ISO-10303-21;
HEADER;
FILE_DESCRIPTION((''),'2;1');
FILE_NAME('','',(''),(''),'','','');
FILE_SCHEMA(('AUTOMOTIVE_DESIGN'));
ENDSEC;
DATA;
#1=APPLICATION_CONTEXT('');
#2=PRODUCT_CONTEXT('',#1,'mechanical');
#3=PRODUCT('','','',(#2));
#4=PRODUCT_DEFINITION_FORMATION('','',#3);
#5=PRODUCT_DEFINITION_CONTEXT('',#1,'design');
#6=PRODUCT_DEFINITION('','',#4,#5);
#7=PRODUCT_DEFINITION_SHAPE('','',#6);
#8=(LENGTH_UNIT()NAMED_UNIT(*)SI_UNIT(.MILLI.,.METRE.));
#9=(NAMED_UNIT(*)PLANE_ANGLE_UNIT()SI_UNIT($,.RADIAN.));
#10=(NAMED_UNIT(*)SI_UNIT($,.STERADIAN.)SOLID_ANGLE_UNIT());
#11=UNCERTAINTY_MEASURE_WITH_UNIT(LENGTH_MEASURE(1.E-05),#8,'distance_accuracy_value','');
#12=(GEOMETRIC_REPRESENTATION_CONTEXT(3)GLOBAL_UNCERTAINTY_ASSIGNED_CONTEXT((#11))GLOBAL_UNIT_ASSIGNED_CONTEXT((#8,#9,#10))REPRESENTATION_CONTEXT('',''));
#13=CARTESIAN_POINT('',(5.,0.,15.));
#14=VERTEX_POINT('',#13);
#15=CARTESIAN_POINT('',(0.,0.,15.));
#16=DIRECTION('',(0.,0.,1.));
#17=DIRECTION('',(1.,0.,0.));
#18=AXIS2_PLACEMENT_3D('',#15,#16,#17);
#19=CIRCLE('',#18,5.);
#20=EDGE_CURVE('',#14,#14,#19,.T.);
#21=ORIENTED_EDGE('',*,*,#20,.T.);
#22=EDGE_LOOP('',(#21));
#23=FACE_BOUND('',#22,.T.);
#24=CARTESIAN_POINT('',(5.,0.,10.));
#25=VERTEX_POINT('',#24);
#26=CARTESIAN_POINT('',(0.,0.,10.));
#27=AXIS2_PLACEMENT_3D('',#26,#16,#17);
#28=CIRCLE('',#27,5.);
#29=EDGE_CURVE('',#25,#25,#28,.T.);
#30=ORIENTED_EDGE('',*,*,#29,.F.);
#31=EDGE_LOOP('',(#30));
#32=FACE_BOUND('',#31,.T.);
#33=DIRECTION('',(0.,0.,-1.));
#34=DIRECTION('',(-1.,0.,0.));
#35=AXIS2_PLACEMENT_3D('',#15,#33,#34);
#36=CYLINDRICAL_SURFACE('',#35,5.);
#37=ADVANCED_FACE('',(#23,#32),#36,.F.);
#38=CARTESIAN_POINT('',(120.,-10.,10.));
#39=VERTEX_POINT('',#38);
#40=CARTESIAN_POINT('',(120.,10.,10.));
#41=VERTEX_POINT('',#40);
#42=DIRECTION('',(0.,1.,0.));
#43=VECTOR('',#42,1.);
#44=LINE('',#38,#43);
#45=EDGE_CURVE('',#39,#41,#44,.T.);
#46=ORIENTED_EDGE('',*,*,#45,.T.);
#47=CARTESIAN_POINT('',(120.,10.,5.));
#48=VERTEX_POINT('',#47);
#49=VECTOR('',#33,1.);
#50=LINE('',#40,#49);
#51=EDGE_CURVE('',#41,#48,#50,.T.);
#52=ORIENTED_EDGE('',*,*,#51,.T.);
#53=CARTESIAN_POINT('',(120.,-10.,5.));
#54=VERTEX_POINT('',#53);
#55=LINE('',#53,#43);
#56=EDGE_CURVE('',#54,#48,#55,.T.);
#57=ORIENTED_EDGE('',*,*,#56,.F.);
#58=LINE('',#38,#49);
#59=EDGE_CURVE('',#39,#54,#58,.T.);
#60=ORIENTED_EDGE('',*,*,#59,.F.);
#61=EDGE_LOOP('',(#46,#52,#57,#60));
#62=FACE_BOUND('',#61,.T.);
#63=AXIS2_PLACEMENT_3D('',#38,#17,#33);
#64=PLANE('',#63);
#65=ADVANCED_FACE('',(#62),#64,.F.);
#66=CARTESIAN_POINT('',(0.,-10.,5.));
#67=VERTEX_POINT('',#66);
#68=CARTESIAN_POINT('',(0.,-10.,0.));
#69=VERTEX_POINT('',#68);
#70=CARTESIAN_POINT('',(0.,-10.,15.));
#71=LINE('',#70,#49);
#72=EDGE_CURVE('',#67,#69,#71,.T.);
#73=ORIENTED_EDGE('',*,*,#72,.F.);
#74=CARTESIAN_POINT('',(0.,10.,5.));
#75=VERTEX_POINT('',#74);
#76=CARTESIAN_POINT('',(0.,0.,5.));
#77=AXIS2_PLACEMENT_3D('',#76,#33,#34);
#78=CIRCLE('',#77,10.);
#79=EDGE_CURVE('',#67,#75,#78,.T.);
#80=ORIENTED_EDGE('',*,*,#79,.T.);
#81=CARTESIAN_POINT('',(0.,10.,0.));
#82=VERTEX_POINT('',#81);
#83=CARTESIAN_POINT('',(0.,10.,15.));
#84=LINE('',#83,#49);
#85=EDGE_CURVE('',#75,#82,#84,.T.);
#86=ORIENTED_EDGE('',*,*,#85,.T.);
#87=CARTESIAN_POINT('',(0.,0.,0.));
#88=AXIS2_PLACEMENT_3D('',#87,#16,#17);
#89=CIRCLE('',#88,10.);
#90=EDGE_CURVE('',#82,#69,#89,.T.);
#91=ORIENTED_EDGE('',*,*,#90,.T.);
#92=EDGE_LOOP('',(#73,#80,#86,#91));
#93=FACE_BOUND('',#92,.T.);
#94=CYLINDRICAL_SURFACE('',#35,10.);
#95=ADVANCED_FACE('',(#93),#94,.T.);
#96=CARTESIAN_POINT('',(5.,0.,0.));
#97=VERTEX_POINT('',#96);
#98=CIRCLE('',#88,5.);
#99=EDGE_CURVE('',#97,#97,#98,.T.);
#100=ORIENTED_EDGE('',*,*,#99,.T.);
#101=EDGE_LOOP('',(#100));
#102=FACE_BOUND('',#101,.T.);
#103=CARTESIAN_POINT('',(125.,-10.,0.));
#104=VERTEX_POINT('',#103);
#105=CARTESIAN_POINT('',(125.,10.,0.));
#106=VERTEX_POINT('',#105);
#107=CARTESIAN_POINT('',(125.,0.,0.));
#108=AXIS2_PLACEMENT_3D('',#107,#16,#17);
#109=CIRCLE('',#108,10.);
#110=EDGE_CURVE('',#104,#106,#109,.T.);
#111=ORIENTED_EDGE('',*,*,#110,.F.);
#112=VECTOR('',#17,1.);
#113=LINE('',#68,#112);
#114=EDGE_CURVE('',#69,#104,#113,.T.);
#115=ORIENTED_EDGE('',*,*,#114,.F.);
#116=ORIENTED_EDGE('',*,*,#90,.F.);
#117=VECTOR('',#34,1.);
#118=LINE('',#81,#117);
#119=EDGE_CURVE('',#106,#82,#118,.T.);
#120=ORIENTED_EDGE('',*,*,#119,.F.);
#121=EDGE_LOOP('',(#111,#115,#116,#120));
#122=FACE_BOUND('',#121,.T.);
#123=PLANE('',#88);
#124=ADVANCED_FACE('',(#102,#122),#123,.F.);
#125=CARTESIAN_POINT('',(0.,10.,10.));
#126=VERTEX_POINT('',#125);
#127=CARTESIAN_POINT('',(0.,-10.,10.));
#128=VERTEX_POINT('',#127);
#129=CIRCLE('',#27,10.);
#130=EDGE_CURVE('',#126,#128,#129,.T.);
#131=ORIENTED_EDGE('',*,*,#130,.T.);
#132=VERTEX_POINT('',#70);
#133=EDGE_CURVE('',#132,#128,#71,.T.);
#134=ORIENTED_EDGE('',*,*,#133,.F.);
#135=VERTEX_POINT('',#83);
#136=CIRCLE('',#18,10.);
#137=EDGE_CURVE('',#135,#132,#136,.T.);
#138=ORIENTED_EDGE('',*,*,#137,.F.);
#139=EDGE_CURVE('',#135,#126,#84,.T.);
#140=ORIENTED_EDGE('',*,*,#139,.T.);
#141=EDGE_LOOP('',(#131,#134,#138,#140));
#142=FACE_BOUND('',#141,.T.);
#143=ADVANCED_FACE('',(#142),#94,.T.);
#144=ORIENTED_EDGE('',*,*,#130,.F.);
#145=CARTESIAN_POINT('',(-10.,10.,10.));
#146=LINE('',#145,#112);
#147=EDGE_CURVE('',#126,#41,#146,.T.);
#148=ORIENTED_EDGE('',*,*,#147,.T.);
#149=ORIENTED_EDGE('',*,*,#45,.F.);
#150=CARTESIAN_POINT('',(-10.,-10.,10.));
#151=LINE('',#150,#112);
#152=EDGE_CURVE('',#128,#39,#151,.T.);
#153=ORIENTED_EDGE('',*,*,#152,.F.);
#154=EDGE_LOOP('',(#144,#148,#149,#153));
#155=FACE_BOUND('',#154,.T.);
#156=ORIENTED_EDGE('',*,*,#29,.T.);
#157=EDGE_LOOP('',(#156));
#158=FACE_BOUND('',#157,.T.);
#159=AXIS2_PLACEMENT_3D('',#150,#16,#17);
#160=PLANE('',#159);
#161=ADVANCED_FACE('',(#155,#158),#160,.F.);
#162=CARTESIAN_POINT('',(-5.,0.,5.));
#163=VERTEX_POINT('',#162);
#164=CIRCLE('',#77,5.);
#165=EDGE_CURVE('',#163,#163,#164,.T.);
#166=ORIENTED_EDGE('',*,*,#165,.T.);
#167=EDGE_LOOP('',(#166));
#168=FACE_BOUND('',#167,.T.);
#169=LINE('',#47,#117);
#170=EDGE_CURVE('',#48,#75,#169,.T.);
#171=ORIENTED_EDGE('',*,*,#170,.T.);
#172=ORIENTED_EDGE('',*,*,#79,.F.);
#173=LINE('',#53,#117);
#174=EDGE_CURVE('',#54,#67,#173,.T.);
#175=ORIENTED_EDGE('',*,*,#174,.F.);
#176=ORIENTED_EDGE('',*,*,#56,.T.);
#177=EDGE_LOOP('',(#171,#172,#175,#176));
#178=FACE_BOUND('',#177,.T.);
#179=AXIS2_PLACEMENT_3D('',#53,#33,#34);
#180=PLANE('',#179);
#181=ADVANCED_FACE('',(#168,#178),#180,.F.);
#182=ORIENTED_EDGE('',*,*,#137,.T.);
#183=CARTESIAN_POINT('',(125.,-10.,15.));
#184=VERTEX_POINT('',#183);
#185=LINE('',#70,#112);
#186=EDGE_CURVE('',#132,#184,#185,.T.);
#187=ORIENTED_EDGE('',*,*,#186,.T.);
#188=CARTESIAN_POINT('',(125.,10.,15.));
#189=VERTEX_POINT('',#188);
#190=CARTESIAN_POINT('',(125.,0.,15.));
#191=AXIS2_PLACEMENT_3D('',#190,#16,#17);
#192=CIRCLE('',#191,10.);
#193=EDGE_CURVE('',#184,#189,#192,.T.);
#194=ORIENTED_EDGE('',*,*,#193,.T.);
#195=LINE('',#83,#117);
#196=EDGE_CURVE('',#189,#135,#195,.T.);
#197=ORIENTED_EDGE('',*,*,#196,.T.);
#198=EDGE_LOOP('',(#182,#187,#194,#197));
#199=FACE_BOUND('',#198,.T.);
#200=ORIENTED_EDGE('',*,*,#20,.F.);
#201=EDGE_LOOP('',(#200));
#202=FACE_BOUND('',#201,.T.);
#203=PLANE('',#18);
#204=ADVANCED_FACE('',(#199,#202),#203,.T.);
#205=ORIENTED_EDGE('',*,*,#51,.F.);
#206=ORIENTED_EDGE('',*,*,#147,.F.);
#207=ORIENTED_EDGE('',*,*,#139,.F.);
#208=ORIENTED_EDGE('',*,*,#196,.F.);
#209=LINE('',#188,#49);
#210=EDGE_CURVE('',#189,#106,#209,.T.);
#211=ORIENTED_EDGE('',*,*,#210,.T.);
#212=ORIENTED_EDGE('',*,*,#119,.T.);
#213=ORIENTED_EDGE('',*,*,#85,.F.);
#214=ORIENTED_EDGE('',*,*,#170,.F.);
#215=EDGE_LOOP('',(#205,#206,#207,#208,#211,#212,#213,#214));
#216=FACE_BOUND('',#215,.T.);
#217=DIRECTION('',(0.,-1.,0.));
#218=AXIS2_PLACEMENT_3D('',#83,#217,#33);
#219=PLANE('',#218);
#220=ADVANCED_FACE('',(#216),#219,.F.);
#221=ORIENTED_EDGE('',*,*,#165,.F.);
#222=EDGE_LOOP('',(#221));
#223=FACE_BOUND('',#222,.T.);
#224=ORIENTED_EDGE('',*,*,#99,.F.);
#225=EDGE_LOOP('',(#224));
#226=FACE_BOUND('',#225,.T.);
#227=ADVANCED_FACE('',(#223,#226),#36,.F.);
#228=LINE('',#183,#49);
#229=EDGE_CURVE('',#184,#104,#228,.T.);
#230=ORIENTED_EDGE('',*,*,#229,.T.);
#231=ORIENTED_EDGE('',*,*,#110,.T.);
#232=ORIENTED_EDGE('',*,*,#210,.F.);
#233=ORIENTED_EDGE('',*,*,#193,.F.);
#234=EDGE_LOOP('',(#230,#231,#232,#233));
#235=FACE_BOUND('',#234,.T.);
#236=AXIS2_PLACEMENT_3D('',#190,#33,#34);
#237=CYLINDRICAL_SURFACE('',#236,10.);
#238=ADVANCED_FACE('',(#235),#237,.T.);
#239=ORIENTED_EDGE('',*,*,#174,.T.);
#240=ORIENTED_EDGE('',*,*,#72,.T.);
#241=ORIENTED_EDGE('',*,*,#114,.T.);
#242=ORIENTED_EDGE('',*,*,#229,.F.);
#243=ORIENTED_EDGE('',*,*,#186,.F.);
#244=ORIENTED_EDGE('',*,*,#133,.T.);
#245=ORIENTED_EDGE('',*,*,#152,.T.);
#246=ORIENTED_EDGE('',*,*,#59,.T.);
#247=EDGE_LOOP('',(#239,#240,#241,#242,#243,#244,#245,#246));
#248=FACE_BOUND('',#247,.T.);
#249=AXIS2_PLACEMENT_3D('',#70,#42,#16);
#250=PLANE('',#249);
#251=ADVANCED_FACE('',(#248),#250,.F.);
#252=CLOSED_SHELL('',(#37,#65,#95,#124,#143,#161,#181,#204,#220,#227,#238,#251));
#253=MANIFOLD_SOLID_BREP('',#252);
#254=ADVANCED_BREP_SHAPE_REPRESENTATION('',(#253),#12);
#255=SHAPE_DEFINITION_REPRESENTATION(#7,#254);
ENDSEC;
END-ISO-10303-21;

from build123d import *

# Parameters (mm, degrees)
CROQUIS1_R              = 5
SALIENTE_EXTRUIR1_DEPTH = 15
CROQUIS2_W              = 130
CROQUIS2_H              = 5
CORTAR_EXTRUIR1_DEPTH   = 138.295302177


with BuildPart() as part:
    # Croquis1 → Saliente-Extruir1 (new body)
    with BuildSketch(Plane.XY):
        with BuildLine():
            Line((0, 10), (125, 10))
            ThreePointArc((125, 10), (135, 0), (125, -10))
            Line((125, -10), (0, -10))
            ThreePointArc((0, -10), (-10, 0), (0, 10))
        make_face()
        Circle(CROQUIS1_R, mode=Mode.SUBTRACT)
    extrude(amount=SALIENTE_EXTRUIR1_DEPTH)

    # Croquis2 → Cortar-Extruir1 (cut, through all)
    with BuildSketch(Plane(origin=(0, 10, 0), x_dir=(1, 0, 0), z_dir=(0, 1, 0))):
        with Locations((55, -7.5)):
            Rectangle(CROQUIS2_W, CROQUIS2_H)
    extrude(amount=-CORTAR_EXTRUIR1_DEPTH, mode=Mode.SUBTRACT)


solid = part.part
